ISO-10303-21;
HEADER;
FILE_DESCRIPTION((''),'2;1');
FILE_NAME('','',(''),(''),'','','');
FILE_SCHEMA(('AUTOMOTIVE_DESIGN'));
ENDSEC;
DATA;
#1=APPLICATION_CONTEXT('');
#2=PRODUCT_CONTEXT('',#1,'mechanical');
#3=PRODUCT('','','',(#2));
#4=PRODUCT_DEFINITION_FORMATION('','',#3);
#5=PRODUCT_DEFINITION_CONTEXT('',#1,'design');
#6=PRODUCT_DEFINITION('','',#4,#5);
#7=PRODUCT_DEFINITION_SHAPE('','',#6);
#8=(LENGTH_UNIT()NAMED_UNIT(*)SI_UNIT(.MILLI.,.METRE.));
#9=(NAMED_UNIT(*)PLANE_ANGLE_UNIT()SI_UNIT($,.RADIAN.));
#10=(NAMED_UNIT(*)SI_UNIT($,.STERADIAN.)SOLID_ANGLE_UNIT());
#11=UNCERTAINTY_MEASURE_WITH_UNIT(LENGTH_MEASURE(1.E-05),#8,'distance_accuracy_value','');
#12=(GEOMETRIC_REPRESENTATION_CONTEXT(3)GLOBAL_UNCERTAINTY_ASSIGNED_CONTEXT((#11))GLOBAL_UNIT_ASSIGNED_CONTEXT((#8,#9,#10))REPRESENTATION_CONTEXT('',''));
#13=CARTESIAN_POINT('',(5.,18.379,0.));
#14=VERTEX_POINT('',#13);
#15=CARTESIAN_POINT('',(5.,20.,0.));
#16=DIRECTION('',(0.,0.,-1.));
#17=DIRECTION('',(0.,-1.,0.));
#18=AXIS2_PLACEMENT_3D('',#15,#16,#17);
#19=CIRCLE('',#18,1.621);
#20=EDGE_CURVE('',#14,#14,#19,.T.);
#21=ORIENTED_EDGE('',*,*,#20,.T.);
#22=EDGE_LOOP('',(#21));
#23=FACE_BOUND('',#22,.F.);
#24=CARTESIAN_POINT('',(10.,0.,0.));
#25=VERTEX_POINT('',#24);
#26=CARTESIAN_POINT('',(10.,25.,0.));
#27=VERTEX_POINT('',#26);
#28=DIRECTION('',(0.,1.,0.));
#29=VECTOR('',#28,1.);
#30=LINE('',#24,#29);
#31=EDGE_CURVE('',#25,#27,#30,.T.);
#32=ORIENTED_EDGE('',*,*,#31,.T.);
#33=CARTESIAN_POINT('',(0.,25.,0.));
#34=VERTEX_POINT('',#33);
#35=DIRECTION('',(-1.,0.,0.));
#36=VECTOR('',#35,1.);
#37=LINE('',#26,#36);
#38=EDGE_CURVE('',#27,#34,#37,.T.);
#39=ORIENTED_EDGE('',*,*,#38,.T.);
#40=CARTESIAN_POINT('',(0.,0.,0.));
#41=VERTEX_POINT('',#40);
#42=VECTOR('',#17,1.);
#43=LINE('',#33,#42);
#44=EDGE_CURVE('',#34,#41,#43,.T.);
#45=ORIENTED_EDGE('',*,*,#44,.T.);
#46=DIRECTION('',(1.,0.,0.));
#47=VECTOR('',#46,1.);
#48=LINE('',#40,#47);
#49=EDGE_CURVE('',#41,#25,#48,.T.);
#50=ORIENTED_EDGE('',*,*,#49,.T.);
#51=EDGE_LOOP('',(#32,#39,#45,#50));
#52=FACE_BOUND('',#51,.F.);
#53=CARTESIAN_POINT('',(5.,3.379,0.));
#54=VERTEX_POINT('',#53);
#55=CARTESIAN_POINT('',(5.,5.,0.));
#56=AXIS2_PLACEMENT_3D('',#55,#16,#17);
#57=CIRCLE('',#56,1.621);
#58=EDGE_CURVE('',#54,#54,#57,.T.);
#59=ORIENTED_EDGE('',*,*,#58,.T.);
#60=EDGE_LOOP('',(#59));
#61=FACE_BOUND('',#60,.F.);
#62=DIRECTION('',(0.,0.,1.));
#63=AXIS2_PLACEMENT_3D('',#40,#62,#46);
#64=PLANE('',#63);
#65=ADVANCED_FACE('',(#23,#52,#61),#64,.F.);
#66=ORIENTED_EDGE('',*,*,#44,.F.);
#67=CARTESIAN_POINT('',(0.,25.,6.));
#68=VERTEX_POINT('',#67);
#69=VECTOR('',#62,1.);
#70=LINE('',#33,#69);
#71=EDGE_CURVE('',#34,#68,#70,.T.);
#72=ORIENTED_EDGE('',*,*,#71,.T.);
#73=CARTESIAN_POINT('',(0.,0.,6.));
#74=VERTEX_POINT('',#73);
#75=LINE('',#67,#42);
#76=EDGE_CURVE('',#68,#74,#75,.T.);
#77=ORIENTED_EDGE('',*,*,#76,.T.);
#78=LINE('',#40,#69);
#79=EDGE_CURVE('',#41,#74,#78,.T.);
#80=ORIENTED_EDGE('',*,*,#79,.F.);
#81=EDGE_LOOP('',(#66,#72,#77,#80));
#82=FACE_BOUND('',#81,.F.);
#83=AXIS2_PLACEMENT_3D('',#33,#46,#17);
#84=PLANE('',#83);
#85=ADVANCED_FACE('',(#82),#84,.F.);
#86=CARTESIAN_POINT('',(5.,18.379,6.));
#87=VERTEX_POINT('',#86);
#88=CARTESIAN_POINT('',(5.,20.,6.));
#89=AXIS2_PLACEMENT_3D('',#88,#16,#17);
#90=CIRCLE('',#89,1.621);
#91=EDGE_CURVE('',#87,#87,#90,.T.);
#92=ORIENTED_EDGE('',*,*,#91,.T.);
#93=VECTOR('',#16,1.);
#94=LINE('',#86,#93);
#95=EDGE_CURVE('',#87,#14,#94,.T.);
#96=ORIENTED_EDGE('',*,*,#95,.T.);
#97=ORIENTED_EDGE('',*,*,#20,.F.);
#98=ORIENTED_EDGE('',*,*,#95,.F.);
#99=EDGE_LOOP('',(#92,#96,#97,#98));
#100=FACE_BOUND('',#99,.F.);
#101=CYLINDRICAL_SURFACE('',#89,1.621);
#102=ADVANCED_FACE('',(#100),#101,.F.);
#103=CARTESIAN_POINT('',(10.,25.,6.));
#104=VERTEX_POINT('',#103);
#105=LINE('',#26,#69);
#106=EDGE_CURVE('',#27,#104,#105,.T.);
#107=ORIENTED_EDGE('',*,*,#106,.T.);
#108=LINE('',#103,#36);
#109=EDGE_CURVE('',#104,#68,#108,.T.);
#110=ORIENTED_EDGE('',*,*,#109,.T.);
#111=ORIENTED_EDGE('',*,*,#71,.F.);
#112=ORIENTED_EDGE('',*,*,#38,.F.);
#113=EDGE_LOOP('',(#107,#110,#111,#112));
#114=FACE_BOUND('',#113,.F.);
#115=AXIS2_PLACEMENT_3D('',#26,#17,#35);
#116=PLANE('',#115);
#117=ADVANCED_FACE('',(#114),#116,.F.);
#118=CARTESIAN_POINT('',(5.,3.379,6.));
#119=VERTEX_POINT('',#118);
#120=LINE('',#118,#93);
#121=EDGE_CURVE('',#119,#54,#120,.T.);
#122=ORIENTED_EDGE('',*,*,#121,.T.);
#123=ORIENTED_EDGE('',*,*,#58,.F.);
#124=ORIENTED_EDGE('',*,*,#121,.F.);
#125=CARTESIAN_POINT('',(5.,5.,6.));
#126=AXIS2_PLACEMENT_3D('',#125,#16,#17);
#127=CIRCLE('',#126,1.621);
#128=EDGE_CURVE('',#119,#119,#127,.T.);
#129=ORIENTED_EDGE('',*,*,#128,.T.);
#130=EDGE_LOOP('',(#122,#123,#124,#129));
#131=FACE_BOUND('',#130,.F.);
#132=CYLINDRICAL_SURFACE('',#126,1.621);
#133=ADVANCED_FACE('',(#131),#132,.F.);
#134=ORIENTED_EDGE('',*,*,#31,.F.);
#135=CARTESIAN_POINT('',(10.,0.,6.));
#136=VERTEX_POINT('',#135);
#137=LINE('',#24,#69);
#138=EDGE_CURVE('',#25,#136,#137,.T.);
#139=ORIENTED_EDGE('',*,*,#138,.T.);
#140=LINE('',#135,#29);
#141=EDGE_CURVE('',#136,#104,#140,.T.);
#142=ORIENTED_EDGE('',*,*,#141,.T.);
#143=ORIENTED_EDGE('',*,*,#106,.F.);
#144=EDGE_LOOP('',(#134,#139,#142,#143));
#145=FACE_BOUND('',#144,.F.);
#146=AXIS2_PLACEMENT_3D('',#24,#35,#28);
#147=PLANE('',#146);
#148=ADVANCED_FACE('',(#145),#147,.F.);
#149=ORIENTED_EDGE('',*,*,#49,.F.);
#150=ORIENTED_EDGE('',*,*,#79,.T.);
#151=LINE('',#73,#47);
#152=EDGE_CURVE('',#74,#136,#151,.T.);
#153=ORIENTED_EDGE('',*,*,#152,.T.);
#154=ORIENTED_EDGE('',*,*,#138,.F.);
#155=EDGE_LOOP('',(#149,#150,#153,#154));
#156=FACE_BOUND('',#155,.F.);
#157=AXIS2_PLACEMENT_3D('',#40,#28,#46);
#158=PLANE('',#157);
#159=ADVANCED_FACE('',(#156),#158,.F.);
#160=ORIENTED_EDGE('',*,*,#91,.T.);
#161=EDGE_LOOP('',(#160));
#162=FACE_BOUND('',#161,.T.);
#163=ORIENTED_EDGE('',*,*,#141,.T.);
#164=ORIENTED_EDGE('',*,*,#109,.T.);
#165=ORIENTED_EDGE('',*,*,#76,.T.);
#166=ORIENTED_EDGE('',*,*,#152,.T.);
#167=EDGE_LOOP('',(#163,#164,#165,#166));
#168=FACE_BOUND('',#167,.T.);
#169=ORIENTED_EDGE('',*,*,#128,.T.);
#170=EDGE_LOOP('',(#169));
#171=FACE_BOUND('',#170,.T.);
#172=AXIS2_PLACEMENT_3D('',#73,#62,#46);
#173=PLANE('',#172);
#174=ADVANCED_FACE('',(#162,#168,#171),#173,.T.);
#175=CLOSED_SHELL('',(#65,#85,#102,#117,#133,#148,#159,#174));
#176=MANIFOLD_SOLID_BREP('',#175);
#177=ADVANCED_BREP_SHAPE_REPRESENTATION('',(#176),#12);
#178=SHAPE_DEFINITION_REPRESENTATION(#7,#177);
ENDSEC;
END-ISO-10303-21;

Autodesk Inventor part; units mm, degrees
ref_plane "YZ Plane" through (0, 0, 0) normal (1, 0, 0) x (0, 1, 0)
ref_plane "XZ Plane" through (0, 0, 0) normal (0, 1, 0) x (-1, 0, 0)
ref_plane "XY Plane" through (0, 0, 0) normal (0, 0, 1) x (1, 0, 0)
sketch "Sketch1" plane through (0, 0, 0) normal (0, 0, 1) x (1, 0, 0)
  line L0 (0, 0) -> (10, 0)
  line L1 (10, 0) -> (10, 25)
  line L2 (10, 25) -> (0, 25)
  line L3 (0, 25) -> (0, 0)
  dimension "d0" = 10
  dimension "d1" = 25
extrude "Extrusion1" add sketch "Sketch1" along normal blind 6
sketch "Sketch2" plane through (0, 0, 6) normal (0, 0, 1) x (1, 0, 0)
  line L0 (10, 0) -> (10, 25) construction
  line L1 (10, 25) -> (0, 25) construction
  line L2 (0, 25) -> (0, 0) construction
  line L3 (0, 0) -> (10, 0) construction
  point P0 (5, 20)
  point P1 (5, 5)
  dimension "d4" = 5
  dimension "d5" = 10
  dimension "d6" = 5
  dimension "d7" = 5
  dimension "d15" = 15
hole "Hole1" at (5, 20, 6) at (5, 5, 6) direction (0, 0, -1) diameter 3.242 end through all thread size "M4x0.7" class "6H" standard "ISO Metric profile"
equation "\"d6\" = 0.5 * d5"
equation "\"d7\" = d6"
properties part number "Flange attach block"
